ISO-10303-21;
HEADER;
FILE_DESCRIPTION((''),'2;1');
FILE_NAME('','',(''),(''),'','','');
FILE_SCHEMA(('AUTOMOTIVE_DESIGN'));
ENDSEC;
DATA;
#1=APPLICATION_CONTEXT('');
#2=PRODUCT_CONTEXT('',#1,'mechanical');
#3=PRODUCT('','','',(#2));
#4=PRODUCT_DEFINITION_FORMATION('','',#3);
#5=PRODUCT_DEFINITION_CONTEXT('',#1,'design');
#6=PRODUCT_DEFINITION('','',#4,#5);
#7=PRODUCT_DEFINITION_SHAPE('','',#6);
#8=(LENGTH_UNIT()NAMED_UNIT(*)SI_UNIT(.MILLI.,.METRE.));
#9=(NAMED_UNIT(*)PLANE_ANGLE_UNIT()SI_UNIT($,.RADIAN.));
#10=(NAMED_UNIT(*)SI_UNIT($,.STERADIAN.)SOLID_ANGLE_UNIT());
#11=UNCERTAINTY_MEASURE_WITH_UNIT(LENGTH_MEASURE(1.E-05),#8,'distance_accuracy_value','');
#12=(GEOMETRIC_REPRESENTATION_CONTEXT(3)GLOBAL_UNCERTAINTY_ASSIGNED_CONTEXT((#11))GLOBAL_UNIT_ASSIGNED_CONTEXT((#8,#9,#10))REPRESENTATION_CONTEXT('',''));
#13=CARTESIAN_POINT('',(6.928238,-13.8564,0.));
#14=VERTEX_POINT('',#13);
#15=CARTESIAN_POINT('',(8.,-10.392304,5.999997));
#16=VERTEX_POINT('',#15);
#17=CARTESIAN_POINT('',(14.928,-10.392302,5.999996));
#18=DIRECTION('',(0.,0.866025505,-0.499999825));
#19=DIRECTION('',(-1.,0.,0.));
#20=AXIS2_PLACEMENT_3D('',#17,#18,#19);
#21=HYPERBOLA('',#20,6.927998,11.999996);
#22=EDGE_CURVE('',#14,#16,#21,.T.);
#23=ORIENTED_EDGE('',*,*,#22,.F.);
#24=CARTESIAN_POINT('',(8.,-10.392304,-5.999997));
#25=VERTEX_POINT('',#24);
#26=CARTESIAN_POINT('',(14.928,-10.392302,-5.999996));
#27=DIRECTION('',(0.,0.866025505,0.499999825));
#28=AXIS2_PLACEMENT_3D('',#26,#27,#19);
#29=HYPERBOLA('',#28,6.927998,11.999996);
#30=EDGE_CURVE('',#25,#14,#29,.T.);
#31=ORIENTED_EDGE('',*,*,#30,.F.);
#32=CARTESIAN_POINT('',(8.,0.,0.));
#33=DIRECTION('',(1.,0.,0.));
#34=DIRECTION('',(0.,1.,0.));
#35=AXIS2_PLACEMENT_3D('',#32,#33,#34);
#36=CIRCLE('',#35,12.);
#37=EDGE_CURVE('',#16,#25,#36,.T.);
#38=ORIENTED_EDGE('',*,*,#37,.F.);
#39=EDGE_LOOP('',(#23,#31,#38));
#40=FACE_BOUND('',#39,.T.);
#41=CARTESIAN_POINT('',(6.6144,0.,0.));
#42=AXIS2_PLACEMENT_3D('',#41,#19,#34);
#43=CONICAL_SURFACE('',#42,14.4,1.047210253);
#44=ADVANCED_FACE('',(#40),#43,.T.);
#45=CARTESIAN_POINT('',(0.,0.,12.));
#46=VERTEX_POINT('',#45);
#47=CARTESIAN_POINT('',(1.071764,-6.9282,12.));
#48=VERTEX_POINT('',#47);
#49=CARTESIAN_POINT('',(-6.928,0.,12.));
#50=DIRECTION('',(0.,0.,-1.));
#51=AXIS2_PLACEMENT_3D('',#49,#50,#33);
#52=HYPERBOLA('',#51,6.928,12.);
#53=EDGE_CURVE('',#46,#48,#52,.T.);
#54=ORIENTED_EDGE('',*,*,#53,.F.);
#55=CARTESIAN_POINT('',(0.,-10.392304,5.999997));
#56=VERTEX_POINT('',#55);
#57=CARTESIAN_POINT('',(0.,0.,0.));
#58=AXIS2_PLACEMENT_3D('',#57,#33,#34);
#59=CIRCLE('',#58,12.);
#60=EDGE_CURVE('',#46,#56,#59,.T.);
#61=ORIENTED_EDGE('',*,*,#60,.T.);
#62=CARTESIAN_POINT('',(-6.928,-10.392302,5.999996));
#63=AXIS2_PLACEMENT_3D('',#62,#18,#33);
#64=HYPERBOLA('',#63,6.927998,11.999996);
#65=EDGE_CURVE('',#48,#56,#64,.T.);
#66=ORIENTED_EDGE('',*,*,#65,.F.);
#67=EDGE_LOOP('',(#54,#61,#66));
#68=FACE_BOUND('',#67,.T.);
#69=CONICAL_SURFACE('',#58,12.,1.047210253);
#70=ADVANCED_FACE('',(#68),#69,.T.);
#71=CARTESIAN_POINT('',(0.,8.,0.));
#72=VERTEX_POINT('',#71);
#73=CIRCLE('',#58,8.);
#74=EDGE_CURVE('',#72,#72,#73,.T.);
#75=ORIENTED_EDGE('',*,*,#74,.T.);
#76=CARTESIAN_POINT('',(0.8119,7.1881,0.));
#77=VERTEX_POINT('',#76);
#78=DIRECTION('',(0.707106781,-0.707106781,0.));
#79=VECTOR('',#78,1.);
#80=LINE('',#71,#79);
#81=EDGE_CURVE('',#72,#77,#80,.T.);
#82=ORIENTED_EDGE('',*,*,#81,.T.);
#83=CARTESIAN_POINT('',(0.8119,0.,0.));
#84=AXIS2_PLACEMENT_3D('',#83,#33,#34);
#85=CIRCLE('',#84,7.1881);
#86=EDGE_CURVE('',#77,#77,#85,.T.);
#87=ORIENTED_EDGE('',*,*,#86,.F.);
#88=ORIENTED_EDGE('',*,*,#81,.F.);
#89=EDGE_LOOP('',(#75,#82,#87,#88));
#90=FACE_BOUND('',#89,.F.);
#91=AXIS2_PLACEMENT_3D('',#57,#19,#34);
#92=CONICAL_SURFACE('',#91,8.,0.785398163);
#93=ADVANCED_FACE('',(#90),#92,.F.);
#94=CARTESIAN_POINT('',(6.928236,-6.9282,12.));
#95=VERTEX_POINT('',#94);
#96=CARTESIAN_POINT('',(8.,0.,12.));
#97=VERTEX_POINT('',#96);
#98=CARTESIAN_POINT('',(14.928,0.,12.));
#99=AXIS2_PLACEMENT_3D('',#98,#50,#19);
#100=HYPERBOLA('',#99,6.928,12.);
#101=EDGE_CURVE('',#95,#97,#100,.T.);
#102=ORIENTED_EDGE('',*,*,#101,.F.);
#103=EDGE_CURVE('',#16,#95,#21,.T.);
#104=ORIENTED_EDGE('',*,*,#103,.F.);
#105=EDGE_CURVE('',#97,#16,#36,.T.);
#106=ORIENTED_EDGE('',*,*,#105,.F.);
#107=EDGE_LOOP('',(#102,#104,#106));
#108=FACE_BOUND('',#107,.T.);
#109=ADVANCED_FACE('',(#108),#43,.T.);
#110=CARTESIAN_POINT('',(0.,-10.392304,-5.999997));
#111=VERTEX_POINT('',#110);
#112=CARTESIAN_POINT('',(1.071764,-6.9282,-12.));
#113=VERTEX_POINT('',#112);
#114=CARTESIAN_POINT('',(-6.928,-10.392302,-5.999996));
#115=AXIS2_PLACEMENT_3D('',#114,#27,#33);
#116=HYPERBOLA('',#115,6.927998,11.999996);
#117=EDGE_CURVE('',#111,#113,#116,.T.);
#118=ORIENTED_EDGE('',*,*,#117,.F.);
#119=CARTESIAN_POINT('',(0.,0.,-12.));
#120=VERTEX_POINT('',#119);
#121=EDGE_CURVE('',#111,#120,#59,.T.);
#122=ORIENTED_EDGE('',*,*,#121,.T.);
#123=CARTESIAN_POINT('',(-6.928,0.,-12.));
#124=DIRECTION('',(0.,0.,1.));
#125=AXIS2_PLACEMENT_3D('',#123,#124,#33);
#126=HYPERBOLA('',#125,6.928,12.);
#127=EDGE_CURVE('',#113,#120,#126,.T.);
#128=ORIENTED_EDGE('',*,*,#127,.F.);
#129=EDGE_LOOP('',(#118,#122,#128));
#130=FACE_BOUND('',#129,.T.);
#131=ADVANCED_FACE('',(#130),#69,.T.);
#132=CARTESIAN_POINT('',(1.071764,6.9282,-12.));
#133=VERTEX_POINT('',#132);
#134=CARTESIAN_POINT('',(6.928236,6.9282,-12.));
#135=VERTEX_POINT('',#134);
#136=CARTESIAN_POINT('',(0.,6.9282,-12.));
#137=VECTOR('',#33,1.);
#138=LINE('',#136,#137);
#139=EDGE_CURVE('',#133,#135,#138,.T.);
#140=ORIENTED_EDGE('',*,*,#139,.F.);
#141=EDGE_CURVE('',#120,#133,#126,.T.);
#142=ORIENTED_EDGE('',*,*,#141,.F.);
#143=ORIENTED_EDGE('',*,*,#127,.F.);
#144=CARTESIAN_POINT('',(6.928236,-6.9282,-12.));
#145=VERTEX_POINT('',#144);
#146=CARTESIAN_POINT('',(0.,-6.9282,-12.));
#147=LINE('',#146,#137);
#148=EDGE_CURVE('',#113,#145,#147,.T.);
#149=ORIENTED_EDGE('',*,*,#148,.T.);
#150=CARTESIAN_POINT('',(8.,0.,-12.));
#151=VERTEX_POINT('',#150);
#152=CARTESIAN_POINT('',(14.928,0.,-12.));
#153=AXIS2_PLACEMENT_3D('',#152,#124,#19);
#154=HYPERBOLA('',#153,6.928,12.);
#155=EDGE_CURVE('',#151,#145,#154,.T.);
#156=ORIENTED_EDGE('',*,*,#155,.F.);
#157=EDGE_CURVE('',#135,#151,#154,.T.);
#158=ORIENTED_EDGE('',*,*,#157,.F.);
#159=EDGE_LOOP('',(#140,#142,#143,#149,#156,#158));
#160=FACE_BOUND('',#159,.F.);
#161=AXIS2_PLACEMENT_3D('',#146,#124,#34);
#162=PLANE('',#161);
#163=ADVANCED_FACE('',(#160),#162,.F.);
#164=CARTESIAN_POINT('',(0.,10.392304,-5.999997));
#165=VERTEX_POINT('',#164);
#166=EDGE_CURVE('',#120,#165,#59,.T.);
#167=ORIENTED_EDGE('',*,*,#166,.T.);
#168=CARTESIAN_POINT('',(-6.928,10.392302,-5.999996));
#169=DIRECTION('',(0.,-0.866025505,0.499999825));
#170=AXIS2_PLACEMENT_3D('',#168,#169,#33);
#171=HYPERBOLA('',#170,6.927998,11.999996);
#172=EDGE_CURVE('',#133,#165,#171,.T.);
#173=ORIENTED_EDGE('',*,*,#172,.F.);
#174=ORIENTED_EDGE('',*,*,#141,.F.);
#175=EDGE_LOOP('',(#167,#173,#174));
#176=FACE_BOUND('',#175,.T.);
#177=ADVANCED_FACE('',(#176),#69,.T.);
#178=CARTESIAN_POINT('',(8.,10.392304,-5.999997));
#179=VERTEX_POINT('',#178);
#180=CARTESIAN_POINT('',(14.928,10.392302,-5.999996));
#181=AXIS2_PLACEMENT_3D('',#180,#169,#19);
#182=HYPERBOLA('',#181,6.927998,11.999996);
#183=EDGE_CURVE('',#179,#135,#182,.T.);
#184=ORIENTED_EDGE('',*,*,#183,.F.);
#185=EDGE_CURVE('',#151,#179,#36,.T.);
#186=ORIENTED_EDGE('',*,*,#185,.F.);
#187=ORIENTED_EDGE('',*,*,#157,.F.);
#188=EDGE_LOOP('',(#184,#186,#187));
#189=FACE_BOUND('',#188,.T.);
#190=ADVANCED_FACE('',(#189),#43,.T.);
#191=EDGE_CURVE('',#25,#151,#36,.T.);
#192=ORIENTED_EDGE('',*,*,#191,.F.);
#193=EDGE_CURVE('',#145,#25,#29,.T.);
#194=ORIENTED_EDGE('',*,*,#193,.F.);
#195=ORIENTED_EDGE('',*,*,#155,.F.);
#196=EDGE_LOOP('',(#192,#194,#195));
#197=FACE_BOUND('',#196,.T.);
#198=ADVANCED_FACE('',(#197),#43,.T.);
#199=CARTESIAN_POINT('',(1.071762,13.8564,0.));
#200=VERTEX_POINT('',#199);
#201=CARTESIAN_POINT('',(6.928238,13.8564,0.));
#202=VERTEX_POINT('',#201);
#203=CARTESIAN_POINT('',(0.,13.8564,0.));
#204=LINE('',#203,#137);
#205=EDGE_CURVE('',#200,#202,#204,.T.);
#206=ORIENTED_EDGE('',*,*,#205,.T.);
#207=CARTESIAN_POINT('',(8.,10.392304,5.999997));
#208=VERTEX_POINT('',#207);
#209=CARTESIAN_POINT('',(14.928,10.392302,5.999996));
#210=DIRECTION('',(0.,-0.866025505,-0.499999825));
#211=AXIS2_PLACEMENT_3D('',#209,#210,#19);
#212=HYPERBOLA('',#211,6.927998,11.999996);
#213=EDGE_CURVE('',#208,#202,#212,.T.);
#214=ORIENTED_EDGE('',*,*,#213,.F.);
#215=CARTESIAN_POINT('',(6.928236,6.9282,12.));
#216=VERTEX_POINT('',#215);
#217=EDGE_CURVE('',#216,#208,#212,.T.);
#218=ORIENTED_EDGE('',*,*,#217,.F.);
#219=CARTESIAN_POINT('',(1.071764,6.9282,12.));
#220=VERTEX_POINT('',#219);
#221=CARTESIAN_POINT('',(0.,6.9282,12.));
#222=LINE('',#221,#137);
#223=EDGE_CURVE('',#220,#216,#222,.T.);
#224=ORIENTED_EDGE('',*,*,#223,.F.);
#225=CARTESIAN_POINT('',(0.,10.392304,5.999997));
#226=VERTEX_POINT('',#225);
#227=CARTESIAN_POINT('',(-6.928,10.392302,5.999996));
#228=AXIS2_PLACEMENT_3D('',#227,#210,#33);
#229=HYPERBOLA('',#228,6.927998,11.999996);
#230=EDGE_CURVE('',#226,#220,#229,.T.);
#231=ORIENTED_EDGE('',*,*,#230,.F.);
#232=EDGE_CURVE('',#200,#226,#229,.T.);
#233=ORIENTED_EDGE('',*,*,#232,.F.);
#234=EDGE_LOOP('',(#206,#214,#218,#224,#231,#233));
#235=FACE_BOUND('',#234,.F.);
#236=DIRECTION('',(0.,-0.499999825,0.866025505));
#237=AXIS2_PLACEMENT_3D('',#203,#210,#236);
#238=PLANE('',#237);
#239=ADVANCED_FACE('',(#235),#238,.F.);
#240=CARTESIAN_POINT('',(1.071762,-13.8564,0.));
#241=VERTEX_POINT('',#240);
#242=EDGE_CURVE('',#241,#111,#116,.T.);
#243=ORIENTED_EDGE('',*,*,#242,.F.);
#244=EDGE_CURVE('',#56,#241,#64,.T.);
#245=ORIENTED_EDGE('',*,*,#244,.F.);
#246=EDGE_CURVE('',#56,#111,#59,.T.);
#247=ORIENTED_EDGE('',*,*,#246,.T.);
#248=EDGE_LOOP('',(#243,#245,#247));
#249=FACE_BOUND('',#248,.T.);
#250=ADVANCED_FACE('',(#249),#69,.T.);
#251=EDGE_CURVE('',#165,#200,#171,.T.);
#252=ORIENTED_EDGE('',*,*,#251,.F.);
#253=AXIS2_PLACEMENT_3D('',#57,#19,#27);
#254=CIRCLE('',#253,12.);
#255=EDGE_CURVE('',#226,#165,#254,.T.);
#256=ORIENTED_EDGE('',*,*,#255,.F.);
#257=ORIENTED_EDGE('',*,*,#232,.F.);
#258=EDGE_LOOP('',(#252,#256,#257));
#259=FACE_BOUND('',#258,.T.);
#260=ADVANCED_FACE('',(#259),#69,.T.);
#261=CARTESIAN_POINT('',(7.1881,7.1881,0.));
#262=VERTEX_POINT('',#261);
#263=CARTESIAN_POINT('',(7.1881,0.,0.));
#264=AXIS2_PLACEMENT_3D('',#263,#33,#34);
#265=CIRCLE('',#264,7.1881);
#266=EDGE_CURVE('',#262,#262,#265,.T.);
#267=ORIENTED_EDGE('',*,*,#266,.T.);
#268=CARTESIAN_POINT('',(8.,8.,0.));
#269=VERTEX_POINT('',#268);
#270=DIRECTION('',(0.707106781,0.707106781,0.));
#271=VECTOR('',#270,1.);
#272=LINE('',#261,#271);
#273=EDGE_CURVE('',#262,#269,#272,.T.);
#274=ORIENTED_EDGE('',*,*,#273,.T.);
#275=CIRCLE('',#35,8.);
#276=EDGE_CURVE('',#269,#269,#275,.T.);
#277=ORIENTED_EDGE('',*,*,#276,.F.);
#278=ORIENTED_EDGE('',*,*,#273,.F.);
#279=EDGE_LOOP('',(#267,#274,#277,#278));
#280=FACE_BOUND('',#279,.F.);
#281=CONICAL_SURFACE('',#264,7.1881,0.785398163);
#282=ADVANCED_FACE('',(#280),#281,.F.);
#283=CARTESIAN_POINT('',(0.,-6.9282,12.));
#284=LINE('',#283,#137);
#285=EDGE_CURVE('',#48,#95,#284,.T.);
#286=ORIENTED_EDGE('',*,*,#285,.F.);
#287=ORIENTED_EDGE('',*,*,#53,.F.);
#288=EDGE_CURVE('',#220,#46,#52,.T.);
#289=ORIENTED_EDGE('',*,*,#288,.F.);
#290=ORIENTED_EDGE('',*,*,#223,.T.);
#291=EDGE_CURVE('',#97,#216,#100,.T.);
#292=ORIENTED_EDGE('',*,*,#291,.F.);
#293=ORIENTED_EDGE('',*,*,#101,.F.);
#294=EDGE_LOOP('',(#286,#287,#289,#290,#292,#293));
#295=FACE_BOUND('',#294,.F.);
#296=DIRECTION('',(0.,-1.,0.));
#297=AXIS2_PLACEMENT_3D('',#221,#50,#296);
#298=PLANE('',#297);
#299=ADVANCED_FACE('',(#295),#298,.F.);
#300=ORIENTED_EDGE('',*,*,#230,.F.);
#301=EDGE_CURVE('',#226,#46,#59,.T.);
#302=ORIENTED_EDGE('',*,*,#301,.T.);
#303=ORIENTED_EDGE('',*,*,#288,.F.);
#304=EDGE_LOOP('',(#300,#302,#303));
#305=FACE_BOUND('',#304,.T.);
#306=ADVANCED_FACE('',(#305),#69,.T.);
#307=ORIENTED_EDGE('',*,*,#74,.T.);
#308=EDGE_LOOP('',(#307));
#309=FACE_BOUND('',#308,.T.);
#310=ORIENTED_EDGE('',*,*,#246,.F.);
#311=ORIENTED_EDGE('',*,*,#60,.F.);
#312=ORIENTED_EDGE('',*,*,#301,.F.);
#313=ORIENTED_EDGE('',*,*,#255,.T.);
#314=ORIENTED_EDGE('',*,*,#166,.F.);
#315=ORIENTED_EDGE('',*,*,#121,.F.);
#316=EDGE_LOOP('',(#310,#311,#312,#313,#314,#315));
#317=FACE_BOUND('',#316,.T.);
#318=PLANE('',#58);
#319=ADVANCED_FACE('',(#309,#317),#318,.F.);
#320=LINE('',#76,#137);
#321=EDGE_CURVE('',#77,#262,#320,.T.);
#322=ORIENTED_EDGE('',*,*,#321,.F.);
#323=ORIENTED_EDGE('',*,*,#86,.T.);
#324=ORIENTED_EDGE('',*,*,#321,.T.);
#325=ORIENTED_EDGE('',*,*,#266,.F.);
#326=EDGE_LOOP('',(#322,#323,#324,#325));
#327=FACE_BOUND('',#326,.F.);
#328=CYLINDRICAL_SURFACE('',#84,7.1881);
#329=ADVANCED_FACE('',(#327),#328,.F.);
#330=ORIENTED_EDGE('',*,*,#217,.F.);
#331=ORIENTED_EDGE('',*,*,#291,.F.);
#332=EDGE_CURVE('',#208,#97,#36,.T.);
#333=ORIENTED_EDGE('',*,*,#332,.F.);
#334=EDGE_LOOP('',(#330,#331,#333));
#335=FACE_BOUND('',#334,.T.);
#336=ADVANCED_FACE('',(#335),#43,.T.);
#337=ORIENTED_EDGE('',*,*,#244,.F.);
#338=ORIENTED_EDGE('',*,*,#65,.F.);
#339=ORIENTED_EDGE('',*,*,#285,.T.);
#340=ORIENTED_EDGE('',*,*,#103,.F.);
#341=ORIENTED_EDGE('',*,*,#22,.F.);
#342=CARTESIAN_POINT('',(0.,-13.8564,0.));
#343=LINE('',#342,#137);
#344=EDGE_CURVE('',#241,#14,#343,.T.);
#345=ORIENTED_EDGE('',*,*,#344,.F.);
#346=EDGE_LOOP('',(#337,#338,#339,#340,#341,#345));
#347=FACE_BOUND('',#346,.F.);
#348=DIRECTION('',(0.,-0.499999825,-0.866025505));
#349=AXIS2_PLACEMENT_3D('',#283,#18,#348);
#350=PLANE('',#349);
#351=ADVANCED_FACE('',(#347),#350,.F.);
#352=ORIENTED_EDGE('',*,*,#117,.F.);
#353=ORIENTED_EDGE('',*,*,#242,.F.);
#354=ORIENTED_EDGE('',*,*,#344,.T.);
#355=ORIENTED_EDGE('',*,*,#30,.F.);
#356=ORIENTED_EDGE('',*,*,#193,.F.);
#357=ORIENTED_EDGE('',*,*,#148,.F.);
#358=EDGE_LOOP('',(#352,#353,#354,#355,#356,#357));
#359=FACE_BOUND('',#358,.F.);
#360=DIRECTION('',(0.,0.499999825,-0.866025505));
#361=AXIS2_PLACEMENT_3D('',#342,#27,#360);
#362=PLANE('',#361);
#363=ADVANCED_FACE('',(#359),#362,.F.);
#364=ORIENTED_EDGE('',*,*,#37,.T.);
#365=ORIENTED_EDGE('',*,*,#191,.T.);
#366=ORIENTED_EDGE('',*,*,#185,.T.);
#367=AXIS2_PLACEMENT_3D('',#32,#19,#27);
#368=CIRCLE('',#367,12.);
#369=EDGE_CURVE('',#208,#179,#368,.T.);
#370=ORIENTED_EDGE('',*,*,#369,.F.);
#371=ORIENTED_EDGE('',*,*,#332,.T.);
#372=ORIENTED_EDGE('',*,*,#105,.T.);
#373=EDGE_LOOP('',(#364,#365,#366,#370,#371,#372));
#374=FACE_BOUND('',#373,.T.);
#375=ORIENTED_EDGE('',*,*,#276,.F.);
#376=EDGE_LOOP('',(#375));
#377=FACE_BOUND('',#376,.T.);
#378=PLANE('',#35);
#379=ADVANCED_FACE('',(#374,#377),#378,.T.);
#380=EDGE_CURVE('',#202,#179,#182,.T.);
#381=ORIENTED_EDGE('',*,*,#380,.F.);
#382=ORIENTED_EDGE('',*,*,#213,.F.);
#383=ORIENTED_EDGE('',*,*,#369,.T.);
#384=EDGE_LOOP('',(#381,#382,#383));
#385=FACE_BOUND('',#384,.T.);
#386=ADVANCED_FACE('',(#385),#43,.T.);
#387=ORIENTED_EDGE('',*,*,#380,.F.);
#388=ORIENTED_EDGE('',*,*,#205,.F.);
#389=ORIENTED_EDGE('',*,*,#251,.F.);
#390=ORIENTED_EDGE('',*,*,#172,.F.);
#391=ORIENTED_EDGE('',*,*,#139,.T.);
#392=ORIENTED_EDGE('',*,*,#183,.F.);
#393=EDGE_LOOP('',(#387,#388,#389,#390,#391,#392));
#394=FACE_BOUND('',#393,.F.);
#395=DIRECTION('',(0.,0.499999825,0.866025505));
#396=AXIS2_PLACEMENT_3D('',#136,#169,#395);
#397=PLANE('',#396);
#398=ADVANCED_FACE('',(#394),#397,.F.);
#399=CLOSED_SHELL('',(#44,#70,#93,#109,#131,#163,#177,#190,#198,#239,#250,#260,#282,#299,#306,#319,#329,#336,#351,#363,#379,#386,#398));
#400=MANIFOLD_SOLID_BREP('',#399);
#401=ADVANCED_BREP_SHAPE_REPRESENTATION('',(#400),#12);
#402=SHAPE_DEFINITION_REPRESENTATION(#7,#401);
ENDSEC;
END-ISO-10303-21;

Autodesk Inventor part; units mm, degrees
sketch "Skizze_1" plane through (0, 0, 0) normal (0, 0, 1) x (1, 0, 0)
  line L0 (8, 0) -> (0, 0)
  line L1 (0, 0) -> (0, 12)
  line L2 (0, 12) -> (1.3856, 14.4)
  line L3 (1.3856, 14.4) -> (6.6144, 14.4)
  line L4 (6.6144, 14.4) -> (8, 12)
  line L5 (8, 12) -> (8, 0)
  line L6 (8, 0) -> (0, 0)
revolve "Revolution1" add sketch "Skizze_1" angle 360 about axis through (8, 0, 0) along (1, 0, 0)
sketch "Skizze_2_ALT_Drilling_1" plane through (0, 0, 0) normal (0, 0, 1) x (1, 0, 0)
  line L0 (8, 0) -> (0, 0)
  line L1 (0, 0) -> (0, 8)
  line L2 (0, 8) -> (0.8119, 7.1881)
  line L3 (0.8119, 7.1881) -> (7.1881, 7.1881)
  line L4 (7.1881, 7.1881) -> (8, 8)
  line L5 (8, 8) -> (8, 0)
  line L6 (8, 0) -> (0, 0)
revolve "Revolution2" cut sketch "Skizze_2_ALT_Drilling_1" angle 360 about axis through (8, 0, 0) along (1, 0, 0)
sketch "Skizze_3" plane through (0, 0, 0) normal (1, 0, 0) x (0, 1, 0)
  line L0 (-24, 24) -> (-24, -24)
  line L1 (-24, -24) -> (24, -24)
  line L2 (24, -24) -> (24, 24)
  line L3 (24, 24) -> (-24, 24)
  line L4 (-6.9282, 12) -> (-13.8564, 0)
  line L5 (-13.8564, 0) -> (-6.9282, -12)
  line L6 (-6.9282, -12) -> (6.9282, -12)
  line L7 (6.9282, -12) -> (13.8564, 0)
  line L8 (13.8564, 0) -> (6.9282, 12)
  line L9 (6.9282, 12) -> (-6.9282, 12)
extrude "Extrusion1" cut sketch "Skizze_3" along normal blind 8
ref_plane "GIE1_XY" through (0, 0, 0) normal (1, 0, 0) x (0, 0, -1)
ref_plane "GIE1_YZ" through (0, 0, 0) normal (0, 0, -1) x (0, 1, 0)
ref_plane "GIE1_ZX" through (0, 0, 0) normal (0, 1, 0) x (1, 0, 0)
properties part number "V-12-16"
